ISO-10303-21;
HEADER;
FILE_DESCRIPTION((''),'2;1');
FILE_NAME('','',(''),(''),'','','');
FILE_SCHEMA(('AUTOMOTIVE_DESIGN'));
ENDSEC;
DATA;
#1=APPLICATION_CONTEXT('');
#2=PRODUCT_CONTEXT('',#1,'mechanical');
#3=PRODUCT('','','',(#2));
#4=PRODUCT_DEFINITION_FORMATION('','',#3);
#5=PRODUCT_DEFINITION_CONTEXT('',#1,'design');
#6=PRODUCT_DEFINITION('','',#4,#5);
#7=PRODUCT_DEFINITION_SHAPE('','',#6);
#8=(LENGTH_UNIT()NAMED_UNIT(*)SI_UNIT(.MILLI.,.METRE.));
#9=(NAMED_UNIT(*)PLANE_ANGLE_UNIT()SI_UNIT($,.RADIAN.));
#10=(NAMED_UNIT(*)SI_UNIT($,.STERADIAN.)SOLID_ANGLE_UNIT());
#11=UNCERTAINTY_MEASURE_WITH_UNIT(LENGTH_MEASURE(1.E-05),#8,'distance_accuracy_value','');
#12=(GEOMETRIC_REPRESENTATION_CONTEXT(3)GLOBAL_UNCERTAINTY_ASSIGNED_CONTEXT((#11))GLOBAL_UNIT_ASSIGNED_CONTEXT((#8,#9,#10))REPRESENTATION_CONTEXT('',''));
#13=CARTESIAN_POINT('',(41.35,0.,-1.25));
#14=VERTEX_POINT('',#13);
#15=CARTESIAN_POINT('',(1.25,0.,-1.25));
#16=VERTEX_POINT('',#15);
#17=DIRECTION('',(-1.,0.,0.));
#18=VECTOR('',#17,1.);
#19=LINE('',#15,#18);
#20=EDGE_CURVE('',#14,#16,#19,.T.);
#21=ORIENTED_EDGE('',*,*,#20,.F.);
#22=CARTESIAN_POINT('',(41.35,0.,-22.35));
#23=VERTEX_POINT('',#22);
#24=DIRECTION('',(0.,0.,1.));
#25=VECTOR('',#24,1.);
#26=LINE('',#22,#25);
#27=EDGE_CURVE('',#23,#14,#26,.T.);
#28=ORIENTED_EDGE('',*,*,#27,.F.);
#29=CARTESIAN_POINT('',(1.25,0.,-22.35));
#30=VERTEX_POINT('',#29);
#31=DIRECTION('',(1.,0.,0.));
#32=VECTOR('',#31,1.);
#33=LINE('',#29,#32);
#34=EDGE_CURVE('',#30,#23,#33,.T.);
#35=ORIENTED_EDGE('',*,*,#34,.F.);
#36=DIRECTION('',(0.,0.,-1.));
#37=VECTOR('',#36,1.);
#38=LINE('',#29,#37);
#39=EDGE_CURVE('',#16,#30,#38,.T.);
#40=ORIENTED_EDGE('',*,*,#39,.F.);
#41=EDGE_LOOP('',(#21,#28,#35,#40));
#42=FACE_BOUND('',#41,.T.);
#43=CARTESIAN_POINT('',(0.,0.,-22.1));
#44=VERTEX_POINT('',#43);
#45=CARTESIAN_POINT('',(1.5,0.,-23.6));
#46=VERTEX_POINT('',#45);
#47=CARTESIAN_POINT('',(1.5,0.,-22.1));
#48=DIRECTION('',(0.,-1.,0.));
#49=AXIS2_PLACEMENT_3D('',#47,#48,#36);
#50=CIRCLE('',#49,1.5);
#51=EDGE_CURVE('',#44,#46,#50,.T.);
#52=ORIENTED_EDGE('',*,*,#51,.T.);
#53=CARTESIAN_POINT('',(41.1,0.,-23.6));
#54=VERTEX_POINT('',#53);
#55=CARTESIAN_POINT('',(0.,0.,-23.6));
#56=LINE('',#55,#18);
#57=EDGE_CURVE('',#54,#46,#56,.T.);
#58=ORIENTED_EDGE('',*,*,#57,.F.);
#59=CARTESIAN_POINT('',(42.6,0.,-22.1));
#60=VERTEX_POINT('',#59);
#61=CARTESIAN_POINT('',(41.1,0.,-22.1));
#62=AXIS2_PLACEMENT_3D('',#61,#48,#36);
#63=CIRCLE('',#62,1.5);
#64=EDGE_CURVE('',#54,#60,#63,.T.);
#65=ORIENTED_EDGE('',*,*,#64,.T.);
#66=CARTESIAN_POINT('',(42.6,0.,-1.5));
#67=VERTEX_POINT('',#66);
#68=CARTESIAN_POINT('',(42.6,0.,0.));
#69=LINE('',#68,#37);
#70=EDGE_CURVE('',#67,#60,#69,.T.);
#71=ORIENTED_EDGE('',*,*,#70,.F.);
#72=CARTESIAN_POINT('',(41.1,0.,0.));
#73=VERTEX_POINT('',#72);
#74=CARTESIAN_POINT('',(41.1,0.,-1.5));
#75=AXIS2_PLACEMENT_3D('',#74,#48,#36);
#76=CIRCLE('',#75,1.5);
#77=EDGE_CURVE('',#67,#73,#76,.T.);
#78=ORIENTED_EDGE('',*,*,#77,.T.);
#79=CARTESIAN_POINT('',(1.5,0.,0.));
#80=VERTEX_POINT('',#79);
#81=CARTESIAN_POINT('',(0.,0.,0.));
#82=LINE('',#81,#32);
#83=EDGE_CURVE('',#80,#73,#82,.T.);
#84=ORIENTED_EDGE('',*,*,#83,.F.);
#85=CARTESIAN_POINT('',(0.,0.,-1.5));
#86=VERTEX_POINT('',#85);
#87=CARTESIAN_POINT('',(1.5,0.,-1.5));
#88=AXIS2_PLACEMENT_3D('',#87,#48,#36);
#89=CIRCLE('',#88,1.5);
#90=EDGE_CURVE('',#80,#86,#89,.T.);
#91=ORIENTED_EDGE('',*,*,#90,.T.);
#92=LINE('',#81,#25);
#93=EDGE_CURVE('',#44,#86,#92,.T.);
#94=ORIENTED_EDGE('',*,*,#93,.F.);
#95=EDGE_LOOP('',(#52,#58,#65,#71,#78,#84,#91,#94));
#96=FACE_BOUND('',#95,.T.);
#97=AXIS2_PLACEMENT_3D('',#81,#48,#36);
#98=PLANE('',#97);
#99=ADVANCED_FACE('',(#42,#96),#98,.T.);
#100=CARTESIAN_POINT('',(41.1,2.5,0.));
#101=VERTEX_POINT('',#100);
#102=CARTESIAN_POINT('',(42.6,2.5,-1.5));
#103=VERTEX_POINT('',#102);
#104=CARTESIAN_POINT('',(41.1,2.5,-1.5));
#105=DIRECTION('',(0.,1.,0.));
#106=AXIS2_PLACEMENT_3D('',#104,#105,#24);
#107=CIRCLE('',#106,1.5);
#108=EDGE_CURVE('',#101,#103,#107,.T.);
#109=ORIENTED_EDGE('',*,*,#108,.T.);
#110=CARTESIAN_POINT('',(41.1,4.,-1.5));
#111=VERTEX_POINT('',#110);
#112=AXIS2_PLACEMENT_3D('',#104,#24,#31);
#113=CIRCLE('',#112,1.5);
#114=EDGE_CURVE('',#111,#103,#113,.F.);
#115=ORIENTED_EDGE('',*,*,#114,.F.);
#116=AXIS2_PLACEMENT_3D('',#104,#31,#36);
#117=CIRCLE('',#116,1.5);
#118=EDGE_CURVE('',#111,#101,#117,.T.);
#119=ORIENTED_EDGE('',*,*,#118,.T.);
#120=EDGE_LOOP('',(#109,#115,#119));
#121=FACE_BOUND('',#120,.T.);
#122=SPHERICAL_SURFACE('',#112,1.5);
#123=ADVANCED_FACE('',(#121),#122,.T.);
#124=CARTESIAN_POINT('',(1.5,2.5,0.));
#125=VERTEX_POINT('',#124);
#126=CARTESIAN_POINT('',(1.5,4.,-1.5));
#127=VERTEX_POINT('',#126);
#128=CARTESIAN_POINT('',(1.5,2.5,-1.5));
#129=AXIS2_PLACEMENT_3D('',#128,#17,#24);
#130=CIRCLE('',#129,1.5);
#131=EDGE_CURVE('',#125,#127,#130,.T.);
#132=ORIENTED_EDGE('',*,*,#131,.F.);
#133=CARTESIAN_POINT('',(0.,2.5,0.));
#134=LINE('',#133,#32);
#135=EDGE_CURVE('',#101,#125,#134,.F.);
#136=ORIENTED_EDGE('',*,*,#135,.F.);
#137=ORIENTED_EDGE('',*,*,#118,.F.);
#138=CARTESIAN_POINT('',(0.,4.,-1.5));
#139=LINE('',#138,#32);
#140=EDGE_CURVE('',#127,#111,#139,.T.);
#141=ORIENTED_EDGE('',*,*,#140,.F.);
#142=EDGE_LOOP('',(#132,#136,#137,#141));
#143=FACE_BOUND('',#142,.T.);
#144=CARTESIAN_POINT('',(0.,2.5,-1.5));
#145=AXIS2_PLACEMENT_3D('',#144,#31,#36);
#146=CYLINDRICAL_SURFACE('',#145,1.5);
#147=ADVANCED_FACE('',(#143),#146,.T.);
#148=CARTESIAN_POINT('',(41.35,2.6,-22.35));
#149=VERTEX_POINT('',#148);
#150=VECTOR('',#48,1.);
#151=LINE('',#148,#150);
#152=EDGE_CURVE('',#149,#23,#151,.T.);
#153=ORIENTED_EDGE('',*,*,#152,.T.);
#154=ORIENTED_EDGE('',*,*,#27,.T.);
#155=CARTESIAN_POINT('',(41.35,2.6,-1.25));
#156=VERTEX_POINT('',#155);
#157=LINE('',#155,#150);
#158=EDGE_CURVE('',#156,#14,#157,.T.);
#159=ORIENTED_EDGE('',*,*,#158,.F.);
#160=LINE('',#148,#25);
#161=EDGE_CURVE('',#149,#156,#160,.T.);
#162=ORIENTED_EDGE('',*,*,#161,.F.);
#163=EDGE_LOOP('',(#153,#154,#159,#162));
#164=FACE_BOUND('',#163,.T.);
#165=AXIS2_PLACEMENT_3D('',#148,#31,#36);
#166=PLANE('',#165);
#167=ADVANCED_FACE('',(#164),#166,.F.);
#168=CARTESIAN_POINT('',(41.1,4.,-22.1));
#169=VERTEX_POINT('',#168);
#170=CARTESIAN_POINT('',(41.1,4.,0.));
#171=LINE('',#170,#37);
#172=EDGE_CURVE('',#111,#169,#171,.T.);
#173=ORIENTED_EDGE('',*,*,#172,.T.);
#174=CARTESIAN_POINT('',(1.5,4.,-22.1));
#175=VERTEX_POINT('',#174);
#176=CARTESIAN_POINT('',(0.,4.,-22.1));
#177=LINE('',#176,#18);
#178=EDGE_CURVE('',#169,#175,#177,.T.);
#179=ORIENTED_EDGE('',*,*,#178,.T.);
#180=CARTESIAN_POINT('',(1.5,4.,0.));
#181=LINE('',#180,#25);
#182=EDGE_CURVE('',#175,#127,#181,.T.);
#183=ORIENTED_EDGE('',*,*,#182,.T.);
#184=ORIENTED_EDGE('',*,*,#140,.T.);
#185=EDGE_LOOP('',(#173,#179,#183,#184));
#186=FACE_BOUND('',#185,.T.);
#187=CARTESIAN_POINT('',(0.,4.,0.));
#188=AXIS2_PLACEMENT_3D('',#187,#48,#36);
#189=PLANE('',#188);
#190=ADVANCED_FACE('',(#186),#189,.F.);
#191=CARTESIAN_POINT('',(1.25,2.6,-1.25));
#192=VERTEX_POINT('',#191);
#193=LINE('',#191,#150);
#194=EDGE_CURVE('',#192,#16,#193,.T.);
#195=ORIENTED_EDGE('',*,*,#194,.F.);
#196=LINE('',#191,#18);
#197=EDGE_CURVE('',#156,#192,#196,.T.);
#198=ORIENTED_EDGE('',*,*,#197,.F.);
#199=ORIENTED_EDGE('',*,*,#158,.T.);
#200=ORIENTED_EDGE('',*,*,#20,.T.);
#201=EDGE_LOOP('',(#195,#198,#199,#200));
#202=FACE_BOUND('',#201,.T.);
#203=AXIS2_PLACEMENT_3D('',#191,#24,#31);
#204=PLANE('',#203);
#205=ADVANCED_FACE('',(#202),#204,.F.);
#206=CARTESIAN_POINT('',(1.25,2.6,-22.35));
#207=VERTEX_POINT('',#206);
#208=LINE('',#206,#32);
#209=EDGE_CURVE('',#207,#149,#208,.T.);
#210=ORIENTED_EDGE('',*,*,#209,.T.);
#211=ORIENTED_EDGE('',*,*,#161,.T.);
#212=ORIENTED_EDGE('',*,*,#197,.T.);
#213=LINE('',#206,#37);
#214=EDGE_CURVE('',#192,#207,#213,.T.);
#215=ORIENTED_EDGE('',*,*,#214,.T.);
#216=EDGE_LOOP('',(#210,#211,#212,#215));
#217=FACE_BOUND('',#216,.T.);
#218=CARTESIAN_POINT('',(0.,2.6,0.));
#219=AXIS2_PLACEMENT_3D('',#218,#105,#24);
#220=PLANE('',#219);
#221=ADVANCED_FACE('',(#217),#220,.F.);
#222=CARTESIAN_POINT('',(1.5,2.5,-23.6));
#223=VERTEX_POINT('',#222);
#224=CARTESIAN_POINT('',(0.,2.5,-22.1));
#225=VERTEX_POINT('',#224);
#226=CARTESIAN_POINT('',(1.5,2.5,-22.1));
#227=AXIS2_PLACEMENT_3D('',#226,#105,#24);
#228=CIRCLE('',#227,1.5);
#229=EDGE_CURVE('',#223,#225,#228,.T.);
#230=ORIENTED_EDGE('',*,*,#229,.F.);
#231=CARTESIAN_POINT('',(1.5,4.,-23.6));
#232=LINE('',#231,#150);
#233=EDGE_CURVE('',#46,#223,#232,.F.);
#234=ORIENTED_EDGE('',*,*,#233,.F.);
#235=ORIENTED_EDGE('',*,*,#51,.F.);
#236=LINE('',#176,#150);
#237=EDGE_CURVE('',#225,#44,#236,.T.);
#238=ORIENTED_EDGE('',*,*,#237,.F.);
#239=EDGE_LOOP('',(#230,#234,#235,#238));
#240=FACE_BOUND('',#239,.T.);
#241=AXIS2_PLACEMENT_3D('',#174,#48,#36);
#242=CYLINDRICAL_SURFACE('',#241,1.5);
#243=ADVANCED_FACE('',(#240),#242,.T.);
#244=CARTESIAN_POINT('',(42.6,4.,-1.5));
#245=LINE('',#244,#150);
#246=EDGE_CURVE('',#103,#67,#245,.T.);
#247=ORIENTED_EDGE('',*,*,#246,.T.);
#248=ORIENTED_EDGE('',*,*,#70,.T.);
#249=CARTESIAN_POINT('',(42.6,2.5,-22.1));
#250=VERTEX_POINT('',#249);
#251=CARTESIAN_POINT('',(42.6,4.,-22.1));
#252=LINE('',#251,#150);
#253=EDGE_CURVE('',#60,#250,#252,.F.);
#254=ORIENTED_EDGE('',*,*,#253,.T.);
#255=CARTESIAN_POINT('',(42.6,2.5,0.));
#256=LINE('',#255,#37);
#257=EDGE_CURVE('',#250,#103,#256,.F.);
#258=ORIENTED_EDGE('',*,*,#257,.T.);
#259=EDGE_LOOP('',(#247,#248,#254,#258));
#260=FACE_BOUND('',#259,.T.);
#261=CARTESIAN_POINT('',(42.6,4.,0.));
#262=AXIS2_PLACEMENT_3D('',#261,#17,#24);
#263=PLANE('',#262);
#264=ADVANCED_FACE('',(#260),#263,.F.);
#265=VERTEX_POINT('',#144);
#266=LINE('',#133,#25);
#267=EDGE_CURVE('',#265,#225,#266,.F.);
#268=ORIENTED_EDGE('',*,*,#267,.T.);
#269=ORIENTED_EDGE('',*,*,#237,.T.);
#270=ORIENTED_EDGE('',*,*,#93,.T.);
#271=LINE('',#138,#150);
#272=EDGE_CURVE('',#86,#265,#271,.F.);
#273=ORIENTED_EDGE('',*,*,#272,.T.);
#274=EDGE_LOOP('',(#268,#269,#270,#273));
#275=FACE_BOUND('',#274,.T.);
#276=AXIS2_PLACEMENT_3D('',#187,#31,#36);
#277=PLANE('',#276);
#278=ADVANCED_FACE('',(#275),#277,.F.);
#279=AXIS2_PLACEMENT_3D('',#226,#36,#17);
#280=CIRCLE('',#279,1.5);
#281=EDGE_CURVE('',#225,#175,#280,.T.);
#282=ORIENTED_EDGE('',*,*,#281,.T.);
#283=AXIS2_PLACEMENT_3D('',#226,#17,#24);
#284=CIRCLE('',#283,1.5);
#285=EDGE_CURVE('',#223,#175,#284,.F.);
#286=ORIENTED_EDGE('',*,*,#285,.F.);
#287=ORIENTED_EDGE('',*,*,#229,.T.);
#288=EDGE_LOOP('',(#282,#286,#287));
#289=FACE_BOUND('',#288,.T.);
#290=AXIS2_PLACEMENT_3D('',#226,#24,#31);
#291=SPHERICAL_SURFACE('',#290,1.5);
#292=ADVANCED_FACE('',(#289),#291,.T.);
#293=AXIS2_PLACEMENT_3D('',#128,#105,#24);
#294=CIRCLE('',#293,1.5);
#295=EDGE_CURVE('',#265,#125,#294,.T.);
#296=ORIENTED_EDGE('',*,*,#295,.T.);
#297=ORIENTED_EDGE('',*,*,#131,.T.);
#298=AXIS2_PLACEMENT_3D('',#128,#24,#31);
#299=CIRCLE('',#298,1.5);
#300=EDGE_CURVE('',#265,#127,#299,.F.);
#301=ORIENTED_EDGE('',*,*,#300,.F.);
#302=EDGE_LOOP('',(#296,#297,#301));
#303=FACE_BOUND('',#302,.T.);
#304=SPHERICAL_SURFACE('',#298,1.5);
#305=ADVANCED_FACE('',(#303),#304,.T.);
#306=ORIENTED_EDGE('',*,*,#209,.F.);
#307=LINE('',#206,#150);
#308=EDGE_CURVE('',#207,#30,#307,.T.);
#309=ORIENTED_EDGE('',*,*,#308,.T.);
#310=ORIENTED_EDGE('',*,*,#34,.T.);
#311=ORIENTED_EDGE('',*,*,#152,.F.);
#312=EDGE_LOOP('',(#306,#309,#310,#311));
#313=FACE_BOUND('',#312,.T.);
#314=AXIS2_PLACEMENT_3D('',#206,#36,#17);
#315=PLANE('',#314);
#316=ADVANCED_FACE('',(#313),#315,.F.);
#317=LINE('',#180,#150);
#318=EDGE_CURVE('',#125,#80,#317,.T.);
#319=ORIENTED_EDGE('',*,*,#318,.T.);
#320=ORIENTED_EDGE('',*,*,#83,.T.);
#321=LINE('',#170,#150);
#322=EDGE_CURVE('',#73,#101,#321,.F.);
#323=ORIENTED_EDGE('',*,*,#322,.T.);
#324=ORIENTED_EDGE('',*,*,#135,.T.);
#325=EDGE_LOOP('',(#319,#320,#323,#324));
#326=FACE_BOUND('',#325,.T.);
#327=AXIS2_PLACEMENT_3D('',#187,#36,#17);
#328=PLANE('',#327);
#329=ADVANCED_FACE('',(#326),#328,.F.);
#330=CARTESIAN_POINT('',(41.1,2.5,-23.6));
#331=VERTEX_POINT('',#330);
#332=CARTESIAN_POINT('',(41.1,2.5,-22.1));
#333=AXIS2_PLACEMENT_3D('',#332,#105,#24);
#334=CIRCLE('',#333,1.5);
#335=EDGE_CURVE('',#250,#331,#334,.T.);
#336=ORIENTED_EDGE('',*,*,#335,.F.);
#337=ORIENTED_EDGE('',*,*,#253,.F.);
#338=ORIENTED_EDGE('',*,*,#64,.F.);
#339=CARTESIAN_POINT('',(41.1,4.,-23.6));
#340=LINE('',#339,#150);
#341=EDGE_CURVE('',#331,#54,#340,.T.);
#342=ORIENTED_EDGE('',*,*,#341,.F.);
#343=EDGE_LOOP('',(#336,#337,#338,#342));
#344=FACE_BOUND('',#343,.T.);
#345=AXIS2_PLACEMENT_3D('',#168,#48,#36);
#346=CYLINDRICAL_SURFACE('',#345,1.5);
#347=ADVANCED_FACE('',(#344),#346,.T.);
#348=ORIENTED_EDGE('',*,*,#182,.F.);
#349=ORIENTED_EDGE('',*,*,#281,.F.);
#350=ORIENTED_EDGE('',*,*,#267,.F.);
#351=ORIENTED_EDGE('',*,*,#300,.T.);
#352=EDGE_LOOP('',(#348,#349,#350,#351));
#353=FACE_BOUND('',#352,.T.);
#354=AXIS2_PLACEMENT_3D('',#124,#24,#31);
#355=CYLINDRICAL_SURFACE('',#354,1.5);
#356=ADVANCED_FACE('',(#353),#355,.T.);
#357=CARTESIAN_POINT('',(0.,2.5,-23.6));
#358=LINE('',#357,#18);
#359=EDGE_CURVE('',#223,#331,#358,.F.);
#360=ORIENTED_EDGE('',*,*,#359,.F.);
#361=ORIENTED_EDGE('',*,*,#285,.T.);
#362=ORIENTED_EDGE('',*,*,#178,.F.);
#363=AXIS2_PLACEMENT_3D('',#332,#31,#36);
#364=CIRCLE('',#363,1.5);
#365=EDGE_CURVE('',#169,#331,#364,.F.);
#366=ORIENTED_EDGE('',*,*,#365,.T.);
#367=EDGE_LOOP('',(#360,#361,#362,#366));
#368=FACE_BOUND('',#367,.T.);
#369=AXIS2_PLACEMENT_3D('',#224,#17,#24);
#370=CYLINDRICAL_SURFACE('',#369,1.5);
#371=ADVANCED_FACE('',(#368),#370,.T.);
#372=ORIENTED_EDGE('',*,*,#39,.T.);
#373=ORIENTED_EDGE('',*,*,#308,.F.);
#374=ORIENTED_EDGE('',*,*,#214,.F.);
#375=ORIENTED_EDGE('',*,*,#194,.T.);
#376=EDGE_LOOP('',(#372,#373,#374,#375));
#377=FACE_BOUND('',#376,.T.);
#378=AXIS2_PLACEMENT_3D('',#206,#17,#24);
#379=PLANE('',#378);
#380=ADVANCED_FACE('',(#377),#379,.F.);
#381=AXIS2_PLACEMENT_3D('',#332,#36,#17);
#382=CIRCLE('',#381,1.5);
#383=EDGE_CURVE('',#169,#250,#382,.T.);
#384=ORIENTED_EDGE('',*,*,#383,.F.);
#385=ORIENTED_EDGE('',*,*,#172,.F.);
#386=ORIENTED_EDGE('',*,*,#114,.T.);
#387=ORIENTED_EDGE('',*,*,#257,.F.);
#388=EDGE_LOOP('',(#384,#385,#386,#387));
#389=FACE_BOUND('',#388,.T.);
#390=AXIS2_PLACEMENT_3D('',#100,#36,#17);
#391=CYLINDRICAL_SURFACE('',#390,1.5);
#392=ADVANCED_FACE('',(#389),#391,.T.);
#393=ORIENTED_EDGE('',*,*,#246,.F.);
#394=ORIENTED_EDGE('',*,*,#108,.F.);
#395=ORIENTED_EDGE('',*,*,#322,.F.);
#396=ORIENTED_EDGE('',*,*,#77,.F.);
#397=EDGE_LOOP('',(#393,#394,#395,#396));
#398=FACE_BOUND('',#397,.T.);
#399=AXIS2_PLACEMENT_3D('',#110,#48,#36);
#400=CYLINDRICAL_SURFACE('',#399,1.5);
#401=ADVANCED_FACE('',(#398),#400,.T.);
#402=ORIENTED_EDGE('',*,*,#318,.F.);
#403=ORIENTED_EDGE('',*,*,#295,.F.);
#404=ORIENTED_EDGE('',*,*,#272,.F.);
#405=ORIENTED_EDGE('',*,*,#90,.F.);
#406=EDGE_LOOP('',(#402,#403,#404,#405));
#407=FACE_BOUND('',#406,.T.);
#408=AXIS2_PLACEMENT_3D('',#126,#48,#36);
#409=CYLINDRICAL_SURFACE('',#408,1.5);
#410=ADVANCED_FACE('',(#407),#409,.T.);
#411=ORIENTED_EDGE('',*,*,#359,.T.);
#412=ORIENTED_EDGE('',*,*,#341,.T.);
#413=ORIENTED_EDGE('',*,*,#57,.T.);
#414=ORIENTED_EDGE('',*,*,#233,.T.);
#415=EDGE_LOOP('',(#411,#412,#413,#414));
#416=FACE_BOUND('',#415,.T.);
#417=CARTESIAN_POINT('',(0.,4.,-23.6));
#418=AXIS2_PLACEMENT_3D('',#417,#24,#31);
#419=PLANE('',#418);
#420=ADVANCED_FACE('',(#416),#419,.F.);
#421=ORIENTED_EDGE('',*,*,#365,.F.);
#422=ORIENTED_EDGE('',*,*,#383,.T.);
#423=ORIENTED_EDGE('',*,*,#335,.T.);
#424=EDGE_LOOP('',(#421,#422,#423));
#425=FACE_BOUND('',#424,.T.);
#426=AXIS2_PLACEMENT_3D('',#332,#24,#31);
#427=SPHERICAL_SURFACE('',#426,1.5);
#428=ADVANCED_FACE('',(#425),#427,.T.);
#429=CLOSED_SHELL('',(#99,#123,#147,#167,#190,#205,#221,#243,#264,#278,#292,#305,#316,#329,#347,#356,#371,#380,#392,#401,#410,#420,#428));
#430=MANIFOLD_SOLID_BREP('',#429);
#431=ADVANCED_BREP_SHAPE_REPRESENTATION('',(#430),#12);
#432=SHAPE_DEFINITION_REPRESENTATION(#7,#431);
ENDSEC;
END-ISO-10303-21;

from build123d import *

# Parameters (mm, degrees)
SKETCH1_W           = 42.6
SKETCH1_H           = 23.6
BOSS_EXTRUDE1_DEPTH = 4
SKETCH2_W           = 40.1
SKETCH2_H           = 21.1
CUT_EXTRUDE1_DEPTH  = 2.6
FILLET1_R           = 1.5


with BuildPart() as part:
    # Sketch1 → Boss-Extrude1 (new body)
    with BuildSketch(Plane(origin=(0, 0, 0), x_dir=(1, 0, 0), z_dir=(0, 1, 0))):
        with Locations((21.3, 11.8)):
            Rectangle(SKETCH1_W, SKETCH1_H)
    extrude(amount=BOSS_EXTRUDE1_DEPTH)

    # Sketch2 → Cut-Extrude1 (cut)
    with BuildSketch(Plane.XZ):
        with Locations((21.3, -11.8)):
            Rectangle(SKETCH2_W, SKETCH2_H)
    extrude(amount=-CUT_EXTRUDE1_DEPTH, mode=Mode.SUBTRACT)

    # Fillet1
    fillet1_edges = [part.edges().sort_by_distance(p)[0] for p in [
        (42.6, 4, -11.8),
        (21.3, 4, -23.6),
        (0, 4, -11.8),
        (21.3, 4, 0),
        (0, 2, -23.6),
        (42.6, 2, -23.6),
        (42.6, 2, 0),
        (0, 2, 0),
    ]]
    fillet(fillet1_edges, radius=FILLET1_R)


solid = part.part
